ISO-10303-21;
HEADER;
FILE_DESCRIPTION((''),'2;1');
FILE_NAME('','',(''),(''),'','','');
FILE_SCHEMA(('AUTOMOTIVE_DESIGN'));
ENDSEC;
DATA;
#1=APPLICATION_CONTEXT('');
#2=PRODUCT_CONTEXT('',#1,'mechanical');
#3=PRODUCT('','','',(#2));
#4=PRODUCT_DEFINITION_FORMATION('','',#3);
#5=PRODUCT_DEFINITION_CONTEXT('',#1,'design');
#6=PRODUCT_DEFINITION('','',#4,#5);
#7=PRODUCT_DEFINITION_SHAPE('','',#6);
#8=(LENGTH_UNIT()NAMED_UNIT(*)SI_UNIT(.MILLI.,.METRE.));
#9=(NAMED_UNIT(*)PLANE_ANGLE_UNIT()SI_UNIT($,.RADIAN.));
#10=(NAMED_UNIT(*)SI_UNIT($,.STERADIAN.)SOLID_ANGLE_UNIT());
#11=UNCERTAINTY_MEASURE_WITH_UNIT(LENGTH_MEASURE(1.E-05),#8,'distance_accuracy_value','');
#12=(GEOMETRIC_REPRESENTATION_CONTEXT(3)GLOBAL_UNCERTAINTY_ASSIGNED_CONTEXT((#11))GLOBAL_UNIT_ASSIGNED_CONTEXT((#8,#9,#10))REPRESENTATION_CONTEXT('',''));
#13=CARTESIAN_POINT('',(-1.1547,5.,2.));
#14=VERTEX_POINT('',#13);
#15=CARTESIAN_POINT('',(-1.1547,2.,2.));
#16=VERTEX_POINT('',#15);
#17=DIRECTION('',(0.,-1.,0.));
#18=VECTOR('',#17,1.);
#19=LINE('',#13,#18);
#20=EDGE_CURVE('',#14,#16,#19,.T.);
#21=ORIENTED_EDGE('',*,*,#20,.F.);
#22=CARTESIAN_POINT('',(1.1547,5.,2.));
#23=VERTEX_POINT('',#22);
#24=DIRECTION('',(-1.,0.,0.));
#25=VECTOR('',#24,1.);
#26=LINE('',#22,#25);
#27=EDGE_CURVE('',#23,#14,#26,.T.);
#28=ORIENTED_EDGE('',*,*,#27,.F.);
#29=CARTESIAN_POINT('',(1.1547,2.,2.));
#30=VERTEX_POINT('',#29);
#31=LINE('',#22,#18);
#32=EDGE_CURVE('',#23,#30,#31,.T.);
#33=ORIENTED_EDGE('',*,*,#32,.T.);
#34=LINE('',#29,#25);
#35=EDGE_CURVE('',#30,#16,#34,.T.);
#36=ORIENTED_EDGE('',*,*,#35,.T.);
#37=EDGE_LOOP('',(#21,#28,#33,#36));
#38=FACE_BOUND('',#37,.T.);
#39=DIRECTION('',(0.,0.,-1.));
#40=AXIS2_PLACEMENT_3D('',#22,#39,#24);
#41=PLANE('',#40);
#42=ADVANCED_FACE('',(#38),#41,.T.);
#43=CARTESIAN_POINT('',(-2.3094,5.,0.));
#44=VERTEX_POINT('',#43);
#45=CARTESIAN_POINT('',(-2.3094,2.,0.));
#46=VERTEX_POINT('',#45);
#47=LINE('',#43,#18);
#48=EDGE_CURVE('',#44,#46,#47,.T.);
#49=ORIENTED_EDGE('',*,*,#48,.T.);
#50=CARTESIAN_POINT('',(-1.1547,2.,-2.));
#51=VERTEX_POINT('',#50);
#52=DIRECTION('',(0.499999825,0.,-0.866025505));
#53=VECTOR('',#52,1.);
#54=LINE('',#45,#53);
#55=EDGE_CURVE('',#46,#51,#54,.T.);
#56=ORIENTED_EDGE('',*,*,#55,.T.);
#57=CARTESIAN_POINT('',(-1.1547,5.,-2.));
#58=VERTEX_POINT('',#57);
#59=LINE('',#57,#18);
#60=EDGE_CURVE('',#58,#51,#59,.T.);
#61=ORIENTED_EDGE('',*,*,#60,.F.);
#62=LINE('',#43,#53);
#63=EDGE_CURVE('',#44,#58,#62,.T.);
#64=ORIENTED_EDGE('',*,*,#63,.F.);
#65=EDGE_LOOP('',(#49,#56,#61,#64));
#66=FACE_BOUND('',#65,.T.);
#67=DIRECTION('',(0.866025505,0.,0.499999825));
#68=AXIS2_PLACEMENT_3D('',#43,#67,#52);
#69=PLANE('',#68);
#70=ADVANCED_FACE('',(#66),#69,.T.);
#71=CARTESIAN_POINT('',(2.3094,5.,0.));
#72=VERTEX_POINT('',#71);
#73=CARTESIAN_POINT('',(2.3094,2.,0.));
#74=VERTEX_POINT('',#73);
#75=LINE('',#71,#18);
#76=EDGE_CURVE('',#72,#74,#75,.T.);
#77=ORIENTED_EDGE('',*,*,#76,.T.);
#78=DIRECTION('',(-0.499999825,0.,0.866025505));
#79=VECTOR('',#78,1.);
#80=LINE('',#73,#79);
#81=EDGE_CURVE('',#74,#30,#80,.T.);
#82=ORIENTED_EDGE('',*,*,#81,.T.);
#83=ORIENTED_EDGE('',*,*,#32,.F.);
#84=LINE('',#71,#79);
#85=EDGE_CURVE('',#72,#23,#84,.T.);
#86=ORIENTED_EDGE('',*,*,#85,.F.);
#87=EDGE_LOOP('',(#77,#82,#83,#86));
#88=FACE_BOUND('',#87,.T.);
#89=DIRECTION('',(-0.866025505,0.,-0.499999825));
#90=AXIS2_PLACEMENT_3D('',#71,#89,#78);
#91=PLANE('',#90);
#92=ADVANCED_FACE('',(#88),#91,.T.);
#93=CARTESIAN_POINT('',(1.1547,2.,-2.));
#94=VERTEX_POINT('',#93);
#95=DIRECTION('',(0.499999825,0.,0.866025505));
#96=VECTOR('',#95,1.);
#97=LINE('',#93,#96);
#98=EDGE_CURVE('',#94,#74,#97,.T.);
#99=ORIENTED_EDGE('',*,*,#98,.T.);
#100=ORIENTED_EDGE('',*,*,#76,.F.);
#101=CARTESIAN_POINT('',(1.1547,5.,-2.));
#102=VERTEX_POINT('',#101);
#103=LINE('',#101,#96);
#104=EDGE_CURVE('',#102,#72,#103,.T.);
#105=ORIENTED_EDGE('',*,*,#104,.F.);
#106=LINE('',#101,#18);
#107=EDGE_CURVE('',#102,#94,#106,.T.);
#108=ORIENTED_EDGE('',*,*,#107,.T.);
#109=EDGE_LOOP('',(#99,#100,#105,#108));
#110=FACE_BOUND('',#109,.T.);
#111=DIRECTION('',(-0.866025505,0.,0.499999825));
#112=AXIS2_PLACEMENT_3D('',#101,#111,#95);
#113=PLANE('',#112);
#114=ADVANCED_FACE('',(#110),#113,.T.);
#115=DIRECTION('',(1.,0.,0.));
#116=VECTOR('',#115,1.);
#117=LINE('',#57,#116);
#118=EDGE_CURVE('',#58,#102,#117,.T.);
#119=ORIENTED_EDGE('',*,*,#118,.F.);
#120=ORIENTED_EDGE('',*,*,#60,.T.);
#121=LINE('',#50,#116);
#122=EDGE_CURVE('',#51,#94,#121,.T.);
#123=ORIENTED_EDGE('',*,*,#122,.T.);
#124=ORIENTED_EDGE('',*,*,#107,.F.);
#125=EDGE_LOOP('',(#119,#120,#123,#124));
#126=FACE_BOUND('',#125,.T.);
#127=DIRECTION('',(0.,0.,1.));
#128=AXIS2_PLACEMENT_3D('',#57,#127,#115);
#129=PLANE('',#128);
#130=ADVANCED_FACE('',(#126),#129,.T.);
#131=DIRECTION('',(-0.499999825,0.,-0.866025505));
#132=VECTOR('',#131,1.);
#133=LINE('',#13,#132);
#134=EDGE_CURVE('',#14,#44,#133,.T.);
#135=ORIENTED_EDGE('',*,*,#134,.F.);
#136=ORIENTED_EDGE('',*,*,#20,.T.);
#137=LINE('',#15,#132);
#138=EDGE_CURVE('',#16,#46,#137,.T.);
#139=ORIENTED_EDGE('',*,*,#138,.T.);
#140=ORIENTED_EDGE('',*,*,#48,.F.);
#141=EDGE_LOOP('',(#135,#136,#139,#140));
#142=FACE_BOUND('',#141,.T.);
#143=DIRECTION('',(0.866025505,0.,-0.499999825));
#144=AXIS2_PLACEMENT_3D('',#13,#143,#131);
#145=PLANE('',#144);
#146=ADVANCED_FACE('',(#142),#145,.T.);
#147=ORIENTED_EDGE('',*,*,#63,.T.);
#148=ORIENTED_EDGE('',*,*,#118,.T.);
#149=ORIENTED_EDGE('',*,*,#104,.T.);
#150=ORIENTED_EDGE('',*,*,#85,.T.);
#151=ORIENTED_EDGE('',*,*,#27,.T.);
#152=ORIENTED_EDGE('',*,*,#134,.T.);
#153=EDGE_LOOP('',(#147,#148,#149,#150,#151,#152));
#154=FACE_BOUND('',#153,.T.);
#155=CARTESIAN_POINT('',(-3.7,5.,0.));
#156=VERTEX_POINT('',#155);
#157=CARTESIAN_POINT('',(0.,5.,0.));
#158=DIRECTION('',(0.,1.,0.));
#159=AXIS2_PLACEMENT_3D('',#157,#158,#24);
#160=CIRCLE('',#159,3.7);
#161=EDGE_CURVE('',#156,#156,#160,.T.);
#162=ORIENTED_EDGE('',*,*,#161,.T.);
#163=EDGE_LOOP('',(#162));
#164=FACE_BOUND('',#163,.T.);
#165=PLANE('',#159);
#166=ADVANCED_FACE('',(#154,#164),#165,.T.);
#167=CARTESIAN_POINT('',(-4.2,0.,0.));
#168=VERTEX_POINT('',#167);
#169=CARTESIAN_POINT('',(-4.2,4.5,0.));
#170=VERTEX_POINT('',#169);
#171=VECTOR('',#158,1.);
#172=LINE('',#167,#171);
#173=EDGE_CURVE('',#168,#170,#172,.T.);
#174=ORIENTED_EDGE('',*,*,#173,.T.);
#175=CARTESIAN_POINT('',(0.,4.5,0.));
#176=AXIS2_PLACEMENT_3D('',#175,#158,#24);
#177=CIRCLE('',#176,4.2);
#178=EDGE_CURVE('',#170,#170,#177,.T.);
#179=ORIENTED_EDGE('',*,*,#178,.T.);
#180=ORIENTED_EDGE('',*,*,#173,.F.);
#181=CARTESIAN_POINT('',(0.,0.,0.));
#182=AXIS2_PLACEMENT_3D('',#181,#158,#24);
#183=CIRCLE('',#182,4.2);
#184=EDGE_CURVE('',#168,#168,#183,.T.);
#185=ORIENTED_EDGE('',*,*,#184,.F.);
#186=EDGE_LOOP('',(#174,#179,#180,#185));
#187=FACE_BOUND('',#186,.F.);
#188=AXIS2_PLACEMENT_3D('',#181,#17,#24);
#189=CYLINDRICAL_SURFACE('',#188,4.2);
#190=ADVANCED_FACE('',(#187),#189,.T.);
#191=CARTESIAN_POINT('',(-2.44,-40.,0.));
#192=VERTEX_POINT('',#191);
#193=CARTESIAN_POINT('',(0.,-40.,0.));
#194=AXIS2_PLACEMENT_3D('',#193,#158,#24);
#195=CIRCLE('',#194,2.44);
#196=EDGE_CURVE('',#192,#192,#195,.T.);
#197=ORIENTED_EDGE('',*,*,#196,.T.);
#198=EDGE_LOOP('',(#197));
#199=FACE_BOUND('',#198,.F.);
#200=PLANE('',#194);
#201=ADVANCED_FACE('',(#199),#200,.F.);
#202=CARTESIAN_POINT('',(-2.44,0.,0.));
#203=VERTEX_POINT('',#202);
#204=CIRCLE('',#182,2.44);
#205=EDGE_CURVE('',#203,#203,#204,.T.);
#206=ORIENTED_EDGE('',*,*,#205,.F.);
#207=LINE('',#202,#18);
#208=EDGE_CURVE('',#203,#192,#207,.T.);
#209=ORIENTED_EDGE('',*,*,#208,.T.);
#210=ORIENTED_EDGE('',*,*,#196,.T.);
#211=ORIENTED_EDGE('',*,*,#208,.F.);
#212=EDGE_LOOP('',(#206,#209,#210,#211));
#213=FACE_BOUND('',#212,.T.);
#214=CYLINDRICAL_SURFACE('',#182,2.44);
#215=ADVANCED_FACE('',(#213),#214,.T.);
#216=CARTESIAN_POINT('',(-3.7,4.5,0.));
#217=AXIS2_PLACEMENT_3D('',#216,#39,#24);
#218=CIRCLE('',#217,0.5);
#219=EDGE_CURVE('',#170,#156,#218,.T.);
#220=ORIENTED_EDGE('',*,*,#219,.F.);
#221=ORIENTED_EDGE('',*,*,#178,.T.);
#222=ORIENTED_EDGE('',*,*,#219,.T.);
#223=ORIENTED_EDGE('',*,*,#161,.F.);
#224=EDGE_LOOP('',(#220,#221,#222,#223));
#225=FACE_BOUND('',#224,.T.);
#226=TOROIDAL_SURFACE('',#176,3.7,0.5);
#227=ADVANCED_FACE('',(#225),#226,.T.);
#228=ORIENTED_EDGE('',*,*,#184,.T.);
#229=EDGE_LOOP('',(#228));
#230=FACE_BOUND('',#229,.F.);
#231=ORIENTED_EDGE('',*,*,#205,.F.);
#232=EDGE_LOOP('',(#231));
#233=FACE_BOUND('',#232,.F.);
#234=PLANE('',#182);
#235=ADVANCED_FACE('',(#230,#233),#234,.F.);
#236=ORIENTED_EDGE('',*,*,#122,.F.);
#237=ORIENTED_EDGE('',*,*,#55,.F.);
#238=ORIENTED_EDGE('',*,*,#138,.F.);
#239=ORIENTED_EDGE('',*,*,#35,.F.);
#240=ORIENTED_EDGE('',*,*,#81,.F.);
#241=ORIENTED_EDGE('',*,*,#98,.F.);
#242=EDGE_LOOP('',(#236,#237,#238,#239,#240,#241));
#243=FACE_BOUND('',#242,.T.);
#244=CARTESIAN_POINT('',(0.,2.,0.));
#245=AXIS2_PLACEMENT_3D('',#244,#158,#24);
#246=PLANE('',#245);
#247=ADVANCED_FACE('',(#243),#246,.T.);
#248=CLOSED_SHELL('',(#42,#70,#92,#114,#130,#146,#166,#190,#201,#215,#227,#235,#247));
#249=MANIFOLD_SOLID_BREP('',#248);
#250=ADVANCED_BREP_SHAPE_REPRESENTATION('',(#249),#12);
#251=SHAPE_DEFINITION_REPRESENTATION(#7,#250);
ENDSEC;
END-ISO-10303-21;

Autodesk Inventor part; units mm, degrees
ref_plane "YZ Plane" through (0, 0, 0) normal (1, 0, 0) x (0, 1, 0)
ref_plane "XZ Plane" through (0, 0, 0) normal (0, 1, 0) x (-1, 0, 0)
ref_plane "XY Plane" through (0, 0, 0) normal (0, 0, 1) x (1, 0, 0)
sketch "Sketch1" plane through (0, 0, 0) normal (0, 1, 0) x (-1, 0, 0)
  circle A0 centre (0, 0) radius 2.44
  circle A1 centre (0, 0) radius 4.2
  line L0 (1.1547, -2) -> (-1.1547, -2)
  line L1 (-1.1547, -2) -> (-2.3094, 0)
  line L2 (-2.3094, 0) -> (-1.1547, 2)
  line L3 (-1.1547, 2) -> (1.1547, 2)
  line L4 (1.1547, 2) -> (2.3094, 0)
  line L5 (2.3094, 0) -> (1.1547, -2)
  dimension "d0" = 4.88
  dimension "d1" = 8.4
  dimension "d8" = 4
extrude "Extrusion1" add sketch "Sketch1" along normal blind 5 contours A0 | A1 | L0 L1 L2 L3 L4 L5
extrude "Extrusion2" add sketch "Sketch1" against normal blind 40 contours A0 | L0 L1 L2 L3 L4 L5
extrude "Extrusion3" cut sketch "Sketch1" against normal blind 3 from surface at 5 contours L0 L1 L2 L3 L4 L5
fillet "Fillet1" radius 0.5 1 edges at (4.2, 5, 0)
thread "Thread2" size "M5x0.8" class "6g" standard "ANSI Metric M Profile" full length
equation "\"d4\" = length"
equation "\"length\" = 40"
properties part number "M5x20"
